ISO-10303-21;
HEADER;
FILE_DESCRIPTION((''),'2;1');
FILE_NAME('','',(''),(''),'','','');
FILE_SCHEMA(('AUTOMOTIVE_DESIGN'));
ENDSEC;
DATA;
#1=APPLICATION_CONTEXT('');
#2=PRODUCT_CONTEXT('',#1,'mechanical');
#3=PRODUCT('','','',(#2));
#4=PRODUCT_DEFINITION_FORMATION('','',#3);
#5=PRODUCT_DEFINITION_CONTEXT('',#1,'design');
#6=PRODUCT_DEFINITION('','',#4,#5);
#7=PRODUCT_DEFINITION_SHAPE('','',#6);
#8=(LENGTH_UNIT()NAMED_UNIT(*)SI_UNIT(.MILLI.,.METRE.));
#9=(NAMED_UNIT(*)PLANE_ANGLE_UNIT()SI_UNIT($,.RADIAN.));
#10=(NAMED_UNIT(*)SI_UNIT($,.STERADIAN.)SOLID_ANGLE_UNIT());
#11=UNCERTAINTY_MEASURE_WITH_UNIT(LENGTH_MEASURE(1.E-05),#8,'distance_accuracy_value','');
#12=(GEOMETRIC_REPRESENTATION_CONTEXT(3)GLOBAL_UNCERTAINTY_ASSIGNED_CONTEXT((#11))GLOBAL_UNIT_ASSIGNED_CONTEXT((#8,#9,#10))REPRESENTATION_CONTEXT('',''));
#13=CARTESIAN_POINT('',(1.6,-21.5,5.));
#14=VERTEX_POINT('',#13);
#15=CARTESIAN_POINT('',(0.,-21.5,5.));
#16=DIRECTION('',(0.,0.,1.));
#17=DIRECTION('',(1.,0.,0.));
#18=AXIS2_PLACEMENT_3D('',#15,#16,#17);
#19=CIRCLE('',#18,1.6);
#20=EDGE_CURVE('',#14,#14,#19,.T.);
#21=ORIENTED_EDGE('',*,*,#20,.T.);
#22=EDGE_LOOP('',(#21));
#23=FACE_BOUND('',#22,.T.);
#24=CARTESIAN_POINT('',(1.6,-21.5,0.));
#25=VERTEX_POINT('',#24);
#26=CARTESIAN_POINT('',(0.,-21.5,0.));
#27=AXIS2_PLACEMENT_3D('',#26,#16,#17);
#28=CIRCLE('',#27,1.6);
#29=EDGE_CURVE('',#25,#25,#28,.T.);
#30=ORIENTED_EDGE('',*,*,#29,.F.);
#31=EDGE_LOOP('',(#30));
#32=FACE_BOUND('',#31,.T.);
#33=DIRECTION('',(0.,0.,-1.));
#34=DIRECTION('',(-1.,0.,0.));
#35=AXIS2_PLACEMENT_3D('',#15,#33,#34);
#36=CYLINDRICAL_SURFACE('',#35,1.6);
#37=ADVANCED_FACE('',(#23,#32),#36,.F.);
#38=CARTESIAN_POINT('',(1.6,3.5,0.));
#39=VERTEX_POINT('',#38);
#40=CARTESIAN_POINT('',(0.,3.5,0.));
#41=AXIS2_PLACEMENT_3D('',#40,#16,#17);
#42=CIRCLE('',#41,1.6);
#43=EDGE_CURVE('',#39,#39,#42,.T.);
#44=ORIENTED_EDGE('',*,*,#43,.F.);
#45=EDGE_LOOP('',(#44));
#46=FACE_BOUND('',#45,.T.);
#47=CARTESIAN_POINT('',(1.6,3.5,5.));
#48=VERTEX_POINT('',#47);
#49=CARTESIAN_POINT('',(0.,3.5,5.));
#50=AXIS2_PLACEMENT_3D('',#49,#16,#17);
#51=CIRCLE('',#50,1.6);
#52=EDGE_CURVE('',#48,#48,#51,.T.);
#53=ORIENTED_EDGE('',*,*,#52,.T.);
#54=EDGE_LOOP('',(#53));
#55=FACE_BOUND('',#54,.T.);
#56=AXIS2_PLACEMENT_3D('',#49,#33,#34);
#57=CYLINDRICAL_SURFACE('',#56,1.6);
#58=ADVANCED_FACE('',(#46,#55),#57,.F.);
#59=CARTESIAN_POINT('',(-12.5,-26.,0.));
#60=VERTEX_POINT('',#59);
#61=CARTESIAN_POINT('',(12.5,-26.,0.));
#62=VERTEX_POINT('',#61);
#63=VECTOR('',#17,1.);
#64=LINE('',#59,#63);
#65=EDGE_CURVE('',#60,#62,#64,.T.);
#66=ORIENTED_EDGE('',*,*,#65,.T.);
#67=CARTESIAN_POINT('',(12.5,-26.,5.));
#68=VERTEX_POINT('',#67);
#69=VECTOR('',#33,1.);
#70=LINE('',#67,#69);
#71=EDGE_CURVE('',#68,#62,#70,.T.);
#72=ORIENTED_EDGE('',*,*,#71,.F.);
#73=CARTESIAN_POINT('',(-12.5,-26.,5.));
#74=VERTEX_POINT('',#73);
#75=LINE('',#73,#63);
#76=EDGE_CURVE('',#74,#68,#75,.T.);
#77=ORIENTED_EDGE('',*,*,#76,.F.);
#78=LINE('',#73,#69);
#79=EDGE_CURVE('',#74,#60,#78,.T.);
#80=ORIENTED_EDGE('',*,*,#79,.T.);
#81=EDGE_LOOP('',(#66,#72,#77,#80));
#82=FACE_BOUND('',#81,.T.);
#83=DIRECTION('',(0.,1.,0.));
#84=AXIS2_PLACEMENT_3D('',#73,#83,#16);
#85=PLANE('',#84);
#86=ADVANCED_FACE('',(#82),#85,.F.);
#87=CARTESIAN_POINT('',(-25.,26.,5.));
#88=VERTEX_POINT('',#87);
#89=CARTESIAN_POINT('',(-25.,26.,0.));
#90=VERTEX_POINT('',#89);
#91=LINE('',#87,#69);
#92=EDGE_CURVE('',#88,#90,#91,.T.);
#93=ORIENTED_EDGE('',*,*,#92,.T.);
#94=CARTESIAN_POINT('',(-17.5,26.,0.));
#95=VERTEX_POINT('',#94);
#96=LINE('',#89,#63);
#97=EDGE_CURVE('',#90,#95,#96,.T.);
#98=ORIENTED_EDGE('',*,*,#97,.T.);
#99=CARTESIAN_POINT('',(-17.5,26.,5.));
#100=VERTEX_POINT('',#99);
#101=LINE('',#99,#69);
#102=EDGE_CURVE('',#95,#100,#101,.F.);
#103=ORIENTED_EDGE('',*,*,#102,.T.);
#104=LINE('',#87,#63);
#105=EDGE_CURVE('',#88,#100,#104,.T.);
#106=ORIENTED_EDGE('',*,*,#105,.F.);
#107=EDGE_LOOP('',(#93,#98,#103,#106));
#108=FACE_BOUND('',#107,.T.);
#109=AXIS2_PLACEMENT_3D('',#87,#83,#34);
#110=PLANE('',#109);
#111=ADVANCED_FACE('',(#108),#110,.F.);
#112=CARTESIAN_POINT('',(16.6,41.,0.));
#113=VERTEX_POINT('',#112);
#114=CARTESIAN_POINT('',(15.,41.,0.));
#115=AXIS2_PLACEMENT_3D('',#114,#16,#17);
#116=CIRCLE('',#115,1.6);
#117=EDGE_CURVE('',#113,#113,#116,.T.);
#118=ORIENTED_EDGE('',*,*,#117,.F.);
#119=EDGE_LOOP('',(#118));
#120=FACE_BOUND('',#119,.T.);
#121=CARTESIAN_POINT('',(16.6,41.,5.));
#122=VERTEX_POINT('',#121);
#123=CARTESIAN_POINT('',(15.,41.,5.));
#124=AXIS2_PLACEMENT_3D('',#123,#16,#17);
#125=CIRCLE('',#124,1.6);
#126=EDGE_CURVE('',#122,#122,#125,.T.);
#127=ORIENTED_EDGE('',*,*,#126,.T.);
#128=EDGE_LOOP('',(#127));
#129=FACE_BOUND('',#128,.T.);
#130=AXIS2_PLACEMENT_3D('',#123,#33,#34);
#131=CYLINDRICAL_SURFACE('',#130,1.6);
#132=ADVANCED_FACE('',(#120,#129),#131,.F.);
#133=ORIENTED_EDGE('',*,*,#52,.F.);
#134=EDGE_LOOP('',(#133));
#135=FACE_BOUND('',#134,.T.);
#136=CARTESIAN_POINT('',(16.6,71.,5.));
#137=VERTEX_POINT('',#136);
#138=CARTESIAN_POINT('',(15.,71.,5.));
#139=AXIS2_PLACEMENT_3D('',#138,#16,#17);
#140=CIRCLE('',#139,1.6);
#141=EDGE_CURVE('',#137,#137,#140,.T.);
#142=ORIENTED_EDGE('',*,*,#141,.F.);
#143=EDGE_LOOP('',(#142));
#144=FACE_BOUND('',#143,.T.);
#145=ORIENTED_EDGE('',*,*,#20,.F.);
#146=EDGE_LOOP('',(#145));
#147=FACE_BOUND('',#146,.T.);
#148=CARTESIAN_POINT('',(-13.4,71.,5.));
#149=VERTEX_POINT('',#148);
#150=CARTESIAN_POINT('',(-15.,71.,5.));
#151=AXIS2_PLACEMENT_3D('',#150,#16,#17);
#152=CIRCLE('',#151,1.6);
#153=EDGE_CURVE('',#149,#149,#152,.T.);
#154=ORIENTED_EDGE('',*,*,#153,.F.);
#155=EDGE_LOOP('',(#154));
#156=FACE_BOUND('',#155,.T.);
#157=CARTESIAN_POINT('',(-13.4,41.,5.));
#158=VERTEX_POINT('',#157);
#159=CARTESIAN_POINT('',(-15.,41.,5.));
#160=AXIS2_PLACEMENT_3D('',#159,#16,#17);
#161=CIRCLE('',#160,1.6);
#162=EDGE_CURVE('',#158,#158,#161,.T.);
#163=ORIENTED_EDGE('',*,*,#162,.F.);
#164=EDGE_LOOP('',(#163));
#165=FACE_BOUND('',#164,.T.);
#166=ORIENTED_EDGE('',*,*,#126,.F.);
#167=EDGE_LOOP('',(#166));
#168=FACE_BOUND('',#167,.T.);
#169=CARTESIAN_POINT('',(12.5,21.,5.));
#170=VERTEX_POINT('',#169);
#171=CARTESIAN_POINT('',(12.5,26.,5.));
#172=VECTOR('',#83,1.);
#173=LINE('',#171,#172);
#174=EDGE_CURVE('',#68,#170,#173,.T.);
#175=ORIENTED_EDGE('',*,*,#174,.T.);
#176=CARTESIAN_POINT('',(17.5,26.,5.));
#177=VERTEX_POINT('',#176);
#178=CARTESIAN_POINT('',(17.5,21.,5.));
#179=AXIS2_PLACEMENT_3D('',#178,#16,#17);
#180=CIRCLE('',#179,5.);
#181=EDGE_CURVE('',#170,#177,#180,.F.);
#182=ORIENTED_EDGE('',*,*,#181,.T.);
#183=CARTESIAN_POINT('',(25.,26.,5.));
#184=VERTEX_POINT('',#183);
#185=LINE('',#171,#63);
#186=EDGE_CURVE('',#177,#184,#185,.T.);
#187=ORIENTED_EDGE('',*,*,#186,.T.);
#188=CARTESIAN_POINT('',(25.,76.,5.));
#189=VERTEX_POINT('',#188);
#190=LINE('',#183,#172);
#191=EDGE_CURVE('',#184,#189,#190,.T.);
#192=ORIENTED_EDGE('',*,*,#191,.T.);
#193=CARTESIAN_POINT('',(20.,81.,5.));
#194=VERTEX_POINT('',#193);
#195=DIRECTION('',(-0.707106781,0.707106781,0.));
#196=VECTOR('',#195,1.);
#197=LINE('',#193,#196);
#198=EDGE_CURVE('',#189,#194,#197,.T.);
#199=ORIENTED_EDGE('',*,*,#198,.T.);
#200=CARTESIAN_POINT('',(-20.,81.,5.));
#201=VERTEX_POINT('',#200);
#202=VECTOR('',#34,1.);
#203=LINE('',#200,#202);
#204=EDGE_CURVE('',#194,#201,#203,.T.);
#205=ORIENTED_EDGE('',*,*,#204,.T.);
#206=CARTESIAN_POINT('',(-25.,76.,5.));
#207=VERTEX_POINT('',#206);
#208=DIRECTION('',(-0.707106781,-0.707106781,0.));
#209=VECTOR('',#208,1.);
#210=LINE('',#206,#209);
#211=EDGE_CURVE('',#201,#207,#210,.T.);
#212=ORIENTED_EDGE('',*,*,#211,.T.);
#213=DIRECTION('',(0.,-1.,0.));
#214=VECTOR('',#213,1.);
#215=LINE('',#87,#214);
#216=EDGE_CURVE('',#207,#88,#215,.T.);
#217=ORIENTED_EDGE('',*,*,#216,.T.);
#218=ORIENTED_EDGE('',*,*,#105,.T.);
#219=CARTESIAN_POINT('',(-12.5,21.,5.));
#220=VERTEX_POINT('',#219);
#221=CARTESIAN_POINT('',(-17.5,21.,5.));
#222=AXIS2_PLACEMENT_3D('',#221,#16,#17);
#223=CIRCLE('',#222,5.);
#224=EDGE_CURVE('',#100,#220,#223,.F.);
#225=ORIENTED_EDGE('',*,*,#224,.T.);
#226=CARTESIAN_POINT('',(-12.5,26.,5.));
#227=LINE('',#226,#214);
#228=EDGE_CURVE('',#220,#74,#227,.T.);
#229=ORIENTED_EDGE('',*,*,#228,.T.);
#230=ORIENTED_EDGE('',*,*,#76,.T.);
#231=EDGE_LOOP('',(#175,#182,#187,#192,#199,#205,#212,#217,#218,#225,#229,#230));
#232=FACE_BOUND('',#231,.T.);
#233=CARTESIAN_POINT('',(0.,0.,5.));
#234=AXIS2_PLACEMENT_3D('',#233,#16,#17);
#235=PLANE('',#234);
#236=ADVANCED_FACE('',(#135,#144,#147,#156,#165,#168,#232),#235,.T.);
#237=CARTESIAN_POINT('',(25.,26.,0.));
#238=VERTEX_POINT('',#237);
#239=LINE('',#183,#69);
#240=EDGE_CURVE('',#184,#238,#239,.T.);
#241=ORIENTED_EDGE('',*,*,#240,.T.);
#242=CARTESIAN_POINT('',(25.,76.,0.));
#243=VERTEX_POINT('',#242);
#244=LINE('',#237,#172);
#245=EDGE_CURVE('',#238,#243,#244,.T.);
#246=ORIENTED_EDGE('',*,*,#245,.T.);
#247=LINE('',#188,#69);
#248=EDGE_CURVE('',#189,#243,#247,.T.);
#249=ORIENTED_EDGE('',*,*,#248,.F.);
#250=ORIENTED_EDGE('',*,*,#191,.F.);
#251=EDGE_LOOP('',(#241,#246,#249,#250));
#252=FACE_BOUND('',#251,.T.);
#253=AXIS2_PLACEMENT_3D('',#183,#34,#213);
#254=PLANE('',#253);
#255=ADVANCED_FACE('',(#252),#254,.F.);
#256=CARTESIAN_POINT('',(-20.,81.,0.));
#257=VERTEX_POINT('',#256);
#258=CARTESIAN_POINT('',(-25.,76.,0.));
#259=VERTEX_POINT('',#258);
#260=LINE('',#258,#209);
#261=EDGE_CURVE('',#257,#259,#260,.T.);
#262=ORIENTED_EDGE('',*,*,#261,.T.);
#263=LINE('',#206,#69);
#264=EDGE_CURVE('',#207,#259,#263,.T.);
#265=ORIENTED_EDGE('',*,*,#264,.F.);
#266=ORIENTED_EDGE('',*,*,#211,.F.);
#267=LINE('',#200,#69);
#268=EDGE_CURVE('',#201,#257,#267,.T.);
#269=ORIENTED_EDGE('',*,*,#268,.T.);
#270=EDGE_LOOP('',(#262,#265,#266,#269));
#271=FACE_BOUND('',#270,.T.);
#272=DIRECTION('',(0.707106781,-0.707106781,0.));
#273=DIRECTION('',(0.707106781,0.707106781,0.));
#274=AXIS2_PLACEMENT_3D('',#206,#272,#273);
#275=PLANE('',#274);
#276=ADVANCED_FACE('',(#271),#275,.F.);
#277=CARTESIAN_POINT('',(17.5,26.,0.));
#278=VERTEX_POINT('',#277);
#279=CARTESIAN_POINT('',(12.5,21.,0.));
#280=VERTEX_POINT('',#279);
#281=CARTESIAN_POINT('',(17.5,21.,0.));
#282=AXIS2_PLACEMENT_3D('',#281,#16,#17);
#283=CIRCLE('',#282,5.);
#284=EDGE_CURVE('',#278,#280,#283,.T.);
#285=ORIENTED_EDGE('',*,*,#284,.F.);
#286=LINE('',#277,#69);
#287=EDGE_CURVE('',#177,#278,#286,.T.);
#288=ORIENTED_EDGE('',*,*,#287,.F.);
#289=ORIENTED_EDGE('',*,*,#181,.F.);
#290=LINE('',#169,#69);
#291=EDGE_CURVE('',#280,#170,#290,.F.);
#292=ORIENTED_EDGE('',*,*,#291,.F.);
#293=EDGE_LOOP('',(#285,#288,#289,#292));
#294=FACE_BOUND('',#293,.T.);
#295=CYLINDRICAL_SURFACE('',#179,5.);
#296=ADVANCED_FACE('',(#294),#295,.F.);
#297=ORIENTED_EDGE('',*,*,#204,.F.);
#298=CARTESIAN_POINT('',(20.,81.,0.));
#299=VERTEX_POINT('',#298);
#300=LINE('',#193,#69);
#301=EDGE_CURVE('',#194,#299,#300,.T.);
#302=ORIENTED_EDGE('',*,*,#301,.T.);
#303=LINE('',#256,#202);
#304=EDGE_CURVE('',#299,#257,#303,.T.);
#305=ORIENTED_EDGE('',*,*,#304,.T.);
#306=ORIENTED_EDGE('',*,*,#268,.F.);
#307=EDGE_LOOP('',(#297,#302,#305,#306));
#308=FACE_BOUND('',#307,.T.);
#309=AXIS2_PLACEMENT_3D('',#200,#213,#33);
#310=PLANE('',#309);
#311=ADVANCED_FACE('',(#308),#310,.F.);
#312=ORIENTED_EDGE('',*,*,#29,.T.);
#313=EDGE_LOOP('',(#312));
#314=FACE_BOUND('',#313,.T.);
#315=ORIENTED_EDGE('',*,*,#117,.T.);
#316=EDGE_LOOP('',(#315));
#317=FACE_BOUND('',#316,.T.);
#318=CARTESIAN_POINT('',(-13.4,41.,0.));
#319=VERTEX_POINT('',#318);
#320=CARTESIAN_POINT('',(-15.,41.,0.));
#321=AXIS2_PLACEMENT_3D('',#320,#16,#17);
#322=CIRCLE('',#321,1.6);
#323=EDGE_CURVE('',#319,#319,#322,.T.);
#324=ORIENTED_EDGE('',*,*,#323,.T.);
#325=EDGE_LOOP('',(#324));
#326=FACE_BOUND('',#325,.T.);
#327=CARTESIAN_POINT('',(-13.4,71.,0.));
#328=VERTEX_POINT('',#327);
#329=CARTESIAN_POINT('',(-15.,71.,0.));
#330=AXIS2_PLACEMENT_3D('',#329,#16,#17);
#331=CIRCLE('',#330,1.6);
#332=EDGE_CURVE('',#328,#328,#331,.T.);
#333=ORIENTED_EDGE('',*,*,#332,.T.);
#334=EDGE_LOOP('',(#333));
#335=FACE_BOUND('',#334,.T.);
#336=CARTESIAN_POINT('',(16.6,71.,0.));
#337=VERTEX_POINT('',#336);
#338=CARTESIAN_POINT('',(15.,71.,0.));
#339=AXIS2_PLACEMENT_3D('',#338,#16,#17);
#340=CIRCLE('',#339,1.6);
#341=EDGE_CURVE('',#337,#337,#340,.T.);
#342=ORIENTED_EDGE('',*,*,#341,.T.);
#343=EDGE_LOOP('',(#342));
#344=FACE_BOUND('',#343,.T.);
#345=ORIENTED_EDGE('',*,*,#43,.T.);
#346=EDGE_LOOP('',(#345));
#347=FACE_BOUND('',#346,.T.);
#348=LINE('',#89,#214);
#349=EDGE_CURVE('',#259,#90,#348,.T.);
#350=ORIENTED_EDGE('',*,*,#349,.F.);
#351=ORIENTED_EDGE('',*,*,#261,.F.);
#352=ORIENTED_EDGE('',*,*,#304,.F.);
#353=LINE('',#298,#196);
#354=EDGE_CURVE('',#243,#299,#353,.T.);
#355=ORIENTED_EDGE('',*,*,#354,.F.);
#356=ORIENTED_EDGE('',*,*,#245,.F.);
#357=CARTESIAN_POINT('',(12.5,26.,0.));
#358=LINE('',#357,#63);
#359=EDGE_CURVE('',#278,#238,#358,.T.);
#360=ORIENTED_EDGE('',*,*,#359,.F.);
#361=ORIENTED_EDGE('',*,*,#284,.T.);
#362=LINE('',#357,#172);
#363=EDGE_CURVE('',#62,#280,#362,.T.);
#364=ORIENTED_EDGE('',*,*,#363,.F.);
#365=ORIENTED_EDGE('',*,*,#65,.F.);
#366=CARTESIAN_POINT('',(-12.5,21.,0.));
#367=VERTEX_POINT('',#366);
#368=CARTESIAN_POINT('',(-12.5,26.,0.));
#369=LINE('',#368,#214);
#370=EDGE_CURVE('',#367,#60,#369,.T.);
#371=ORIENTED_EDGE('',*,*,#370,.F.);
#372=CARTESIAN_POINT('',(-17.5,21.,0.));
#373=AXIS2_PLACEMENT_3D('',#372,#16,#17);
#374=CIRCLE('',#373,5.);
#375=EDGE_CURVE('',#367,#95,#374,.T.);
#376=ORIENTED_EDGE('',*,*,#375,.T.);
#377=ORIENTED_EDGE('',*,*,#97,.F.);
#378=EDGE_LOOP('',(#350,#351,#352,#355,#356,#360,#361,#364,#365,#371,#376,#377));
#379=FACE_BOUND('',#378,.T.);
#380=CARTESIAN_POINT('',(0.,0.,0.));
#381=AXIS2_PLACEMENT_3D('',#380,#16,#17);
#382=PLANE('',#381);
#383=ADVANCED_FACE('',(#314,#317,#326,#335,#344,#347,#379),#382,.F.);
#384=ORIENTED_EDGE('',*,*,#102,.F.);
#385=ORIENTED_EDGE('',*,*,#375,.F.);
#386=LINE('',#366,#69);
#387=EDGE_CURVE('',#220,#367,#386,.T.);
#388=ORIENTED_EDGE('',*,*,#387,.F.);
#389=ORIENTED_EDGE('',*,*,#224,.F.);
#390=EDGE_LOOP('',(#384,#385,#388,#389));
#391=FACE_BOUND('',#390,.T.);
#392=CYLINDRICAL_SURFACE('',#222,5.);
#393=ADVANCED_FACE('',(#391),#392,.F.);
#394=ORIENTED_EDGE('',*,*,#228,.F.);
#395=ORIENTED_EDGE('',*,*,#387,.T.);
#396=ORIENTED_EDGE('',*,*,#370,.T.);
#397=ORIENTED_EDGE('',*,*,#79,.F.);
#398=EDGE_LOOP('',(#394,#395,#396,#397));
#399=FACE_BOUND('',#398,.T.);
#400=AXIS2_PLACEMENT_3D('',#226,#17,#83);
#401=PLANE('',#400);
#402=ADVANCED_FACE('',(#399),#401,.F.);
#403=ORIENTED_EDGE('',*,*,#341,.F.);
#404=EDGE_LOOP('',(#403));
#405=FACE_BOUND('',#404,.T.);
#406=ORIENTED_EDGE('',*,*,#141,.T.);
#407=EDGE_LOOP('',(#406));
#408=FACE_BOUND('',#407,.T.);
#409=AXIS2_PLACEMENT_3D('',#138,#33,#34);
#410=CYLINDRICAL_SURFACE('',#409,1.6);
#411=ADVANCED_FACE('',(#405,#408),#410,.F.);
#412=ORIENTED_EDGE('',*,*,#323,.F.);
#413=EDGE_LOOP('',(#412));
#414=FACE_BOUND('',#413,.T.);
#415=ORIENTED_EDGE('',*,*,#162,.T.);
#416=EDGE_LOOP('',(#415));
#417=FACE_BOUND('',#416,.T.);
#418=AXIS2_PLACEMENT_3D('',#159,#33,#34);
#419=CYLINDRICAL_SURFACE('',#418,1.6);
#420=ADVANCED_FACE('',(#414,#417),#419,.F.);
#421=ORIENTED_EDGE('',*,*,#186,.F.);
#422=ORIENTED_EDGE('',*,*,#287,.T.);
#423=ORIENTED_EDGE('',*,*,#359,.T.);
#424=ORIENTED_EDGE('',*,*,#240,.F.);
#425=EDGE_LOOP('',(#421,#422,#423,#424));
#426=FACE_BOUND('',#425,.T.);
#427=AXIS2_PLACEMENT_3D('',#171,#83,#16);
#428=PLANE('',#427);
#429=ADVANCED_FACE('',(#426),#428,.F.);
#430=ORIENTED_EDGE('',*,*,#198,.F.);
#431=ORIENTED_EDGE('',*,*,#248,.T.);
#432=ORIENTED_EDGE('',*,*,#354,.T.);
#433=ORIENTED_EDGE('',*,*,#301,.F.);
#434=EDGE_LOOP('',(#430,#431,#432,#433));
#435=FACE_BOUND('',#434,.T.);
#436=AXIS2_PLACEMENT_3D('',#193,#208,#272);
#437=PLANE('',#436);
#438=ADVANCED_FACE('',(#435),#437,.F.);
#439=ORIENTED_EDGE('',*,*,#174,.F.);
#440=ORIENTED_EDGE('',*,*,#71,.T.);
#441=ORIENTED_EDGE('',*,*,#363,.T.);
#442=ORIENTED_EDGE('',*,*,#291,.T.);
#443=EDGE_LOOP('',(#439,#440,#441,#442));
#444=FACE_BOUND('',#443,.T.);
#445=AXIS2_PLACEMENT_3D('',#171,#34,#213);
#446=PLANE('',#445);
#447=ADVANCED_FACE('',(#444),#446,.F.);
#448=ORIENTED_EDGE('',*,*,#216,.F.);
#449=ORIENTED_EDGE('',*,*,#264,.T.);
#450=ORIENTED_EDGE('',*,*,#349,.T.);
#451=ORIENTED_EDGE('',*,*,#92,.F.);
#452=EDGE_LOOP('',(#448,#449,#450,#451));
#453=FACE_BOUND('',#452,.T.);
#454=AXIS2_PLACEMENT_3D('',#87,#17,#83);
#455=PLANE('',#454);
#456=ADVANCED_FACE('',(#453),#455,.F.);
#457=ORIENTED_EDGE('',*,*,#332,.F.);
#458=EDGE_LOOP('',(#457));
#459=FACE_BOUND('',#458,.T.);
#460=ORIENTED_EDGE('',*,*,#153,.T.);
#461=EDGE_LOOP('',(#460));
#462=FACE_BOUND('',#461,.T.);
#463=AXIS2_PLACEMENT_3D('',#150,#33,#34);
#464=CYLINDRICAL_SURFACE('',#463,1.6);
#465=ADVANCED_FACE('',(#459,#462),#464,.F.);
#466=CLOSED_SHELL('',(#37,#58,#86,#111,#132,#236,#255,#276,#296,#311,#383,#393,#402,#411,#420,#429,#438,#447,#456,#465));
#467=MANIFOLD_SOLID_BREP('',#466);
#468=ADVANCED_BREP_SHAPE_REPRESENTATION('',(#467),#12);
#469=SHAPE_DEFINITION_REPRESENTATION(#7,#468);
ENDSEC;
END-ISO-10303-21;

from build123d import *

# Parameters (mm, degrees)
SKETCH1_R           = 1.6
BOSS_EXTRUDE1_DEPTH = 5
FILLET1_R           = 5


with BuildPart() as part:
    # Sketch1 → Boss-Extrude1 (new body)
    with BuildSketch(Plane.XY):
        Polygon((-12.5, 26), (-12.5, -26), (12.5, -26), (12.5, 26), (25, 26), (25, 76), (20, 81), (-20, 81), (-25, 76), (-25, 26), align=None)
        with Locations((0, -21.5)):
            Circle(SKETCH1_R, mode=Mode.SUBTRACT)
        with Locations((0, 3.5)):
            Circle(SKETCH1_R, mode=Mode.SUBTRACT)
        with Locations((-15, 71)):
            Circle(SKETCH1_R, mode=Mode.SUBTRACT)
        with Locations((15, 71)):
            Circle(SKETCH1_R, mode=Mode.SUBTRACT)
        with Locations((-15, 41)):
            Circle(SKETCH1_R, mode=Mode.SUBTRACT)
        with Locations((15, 41)):
            Circle(SKETCH1_R, mode=Mode.SUBTRACT)
    extrude(amount=BOSS_EXTRUDE1_DEPTH)

    # Fillet1
    fillet1_edges = [part.edges().sort_by_distance(p)[0] for p in [
        (-12.5, 26, 2.5),
        (12.5, 26, 2.5),
    ]]
    fillet(fillet1_edges, radius=FILLET1_R)


solid = part.part
